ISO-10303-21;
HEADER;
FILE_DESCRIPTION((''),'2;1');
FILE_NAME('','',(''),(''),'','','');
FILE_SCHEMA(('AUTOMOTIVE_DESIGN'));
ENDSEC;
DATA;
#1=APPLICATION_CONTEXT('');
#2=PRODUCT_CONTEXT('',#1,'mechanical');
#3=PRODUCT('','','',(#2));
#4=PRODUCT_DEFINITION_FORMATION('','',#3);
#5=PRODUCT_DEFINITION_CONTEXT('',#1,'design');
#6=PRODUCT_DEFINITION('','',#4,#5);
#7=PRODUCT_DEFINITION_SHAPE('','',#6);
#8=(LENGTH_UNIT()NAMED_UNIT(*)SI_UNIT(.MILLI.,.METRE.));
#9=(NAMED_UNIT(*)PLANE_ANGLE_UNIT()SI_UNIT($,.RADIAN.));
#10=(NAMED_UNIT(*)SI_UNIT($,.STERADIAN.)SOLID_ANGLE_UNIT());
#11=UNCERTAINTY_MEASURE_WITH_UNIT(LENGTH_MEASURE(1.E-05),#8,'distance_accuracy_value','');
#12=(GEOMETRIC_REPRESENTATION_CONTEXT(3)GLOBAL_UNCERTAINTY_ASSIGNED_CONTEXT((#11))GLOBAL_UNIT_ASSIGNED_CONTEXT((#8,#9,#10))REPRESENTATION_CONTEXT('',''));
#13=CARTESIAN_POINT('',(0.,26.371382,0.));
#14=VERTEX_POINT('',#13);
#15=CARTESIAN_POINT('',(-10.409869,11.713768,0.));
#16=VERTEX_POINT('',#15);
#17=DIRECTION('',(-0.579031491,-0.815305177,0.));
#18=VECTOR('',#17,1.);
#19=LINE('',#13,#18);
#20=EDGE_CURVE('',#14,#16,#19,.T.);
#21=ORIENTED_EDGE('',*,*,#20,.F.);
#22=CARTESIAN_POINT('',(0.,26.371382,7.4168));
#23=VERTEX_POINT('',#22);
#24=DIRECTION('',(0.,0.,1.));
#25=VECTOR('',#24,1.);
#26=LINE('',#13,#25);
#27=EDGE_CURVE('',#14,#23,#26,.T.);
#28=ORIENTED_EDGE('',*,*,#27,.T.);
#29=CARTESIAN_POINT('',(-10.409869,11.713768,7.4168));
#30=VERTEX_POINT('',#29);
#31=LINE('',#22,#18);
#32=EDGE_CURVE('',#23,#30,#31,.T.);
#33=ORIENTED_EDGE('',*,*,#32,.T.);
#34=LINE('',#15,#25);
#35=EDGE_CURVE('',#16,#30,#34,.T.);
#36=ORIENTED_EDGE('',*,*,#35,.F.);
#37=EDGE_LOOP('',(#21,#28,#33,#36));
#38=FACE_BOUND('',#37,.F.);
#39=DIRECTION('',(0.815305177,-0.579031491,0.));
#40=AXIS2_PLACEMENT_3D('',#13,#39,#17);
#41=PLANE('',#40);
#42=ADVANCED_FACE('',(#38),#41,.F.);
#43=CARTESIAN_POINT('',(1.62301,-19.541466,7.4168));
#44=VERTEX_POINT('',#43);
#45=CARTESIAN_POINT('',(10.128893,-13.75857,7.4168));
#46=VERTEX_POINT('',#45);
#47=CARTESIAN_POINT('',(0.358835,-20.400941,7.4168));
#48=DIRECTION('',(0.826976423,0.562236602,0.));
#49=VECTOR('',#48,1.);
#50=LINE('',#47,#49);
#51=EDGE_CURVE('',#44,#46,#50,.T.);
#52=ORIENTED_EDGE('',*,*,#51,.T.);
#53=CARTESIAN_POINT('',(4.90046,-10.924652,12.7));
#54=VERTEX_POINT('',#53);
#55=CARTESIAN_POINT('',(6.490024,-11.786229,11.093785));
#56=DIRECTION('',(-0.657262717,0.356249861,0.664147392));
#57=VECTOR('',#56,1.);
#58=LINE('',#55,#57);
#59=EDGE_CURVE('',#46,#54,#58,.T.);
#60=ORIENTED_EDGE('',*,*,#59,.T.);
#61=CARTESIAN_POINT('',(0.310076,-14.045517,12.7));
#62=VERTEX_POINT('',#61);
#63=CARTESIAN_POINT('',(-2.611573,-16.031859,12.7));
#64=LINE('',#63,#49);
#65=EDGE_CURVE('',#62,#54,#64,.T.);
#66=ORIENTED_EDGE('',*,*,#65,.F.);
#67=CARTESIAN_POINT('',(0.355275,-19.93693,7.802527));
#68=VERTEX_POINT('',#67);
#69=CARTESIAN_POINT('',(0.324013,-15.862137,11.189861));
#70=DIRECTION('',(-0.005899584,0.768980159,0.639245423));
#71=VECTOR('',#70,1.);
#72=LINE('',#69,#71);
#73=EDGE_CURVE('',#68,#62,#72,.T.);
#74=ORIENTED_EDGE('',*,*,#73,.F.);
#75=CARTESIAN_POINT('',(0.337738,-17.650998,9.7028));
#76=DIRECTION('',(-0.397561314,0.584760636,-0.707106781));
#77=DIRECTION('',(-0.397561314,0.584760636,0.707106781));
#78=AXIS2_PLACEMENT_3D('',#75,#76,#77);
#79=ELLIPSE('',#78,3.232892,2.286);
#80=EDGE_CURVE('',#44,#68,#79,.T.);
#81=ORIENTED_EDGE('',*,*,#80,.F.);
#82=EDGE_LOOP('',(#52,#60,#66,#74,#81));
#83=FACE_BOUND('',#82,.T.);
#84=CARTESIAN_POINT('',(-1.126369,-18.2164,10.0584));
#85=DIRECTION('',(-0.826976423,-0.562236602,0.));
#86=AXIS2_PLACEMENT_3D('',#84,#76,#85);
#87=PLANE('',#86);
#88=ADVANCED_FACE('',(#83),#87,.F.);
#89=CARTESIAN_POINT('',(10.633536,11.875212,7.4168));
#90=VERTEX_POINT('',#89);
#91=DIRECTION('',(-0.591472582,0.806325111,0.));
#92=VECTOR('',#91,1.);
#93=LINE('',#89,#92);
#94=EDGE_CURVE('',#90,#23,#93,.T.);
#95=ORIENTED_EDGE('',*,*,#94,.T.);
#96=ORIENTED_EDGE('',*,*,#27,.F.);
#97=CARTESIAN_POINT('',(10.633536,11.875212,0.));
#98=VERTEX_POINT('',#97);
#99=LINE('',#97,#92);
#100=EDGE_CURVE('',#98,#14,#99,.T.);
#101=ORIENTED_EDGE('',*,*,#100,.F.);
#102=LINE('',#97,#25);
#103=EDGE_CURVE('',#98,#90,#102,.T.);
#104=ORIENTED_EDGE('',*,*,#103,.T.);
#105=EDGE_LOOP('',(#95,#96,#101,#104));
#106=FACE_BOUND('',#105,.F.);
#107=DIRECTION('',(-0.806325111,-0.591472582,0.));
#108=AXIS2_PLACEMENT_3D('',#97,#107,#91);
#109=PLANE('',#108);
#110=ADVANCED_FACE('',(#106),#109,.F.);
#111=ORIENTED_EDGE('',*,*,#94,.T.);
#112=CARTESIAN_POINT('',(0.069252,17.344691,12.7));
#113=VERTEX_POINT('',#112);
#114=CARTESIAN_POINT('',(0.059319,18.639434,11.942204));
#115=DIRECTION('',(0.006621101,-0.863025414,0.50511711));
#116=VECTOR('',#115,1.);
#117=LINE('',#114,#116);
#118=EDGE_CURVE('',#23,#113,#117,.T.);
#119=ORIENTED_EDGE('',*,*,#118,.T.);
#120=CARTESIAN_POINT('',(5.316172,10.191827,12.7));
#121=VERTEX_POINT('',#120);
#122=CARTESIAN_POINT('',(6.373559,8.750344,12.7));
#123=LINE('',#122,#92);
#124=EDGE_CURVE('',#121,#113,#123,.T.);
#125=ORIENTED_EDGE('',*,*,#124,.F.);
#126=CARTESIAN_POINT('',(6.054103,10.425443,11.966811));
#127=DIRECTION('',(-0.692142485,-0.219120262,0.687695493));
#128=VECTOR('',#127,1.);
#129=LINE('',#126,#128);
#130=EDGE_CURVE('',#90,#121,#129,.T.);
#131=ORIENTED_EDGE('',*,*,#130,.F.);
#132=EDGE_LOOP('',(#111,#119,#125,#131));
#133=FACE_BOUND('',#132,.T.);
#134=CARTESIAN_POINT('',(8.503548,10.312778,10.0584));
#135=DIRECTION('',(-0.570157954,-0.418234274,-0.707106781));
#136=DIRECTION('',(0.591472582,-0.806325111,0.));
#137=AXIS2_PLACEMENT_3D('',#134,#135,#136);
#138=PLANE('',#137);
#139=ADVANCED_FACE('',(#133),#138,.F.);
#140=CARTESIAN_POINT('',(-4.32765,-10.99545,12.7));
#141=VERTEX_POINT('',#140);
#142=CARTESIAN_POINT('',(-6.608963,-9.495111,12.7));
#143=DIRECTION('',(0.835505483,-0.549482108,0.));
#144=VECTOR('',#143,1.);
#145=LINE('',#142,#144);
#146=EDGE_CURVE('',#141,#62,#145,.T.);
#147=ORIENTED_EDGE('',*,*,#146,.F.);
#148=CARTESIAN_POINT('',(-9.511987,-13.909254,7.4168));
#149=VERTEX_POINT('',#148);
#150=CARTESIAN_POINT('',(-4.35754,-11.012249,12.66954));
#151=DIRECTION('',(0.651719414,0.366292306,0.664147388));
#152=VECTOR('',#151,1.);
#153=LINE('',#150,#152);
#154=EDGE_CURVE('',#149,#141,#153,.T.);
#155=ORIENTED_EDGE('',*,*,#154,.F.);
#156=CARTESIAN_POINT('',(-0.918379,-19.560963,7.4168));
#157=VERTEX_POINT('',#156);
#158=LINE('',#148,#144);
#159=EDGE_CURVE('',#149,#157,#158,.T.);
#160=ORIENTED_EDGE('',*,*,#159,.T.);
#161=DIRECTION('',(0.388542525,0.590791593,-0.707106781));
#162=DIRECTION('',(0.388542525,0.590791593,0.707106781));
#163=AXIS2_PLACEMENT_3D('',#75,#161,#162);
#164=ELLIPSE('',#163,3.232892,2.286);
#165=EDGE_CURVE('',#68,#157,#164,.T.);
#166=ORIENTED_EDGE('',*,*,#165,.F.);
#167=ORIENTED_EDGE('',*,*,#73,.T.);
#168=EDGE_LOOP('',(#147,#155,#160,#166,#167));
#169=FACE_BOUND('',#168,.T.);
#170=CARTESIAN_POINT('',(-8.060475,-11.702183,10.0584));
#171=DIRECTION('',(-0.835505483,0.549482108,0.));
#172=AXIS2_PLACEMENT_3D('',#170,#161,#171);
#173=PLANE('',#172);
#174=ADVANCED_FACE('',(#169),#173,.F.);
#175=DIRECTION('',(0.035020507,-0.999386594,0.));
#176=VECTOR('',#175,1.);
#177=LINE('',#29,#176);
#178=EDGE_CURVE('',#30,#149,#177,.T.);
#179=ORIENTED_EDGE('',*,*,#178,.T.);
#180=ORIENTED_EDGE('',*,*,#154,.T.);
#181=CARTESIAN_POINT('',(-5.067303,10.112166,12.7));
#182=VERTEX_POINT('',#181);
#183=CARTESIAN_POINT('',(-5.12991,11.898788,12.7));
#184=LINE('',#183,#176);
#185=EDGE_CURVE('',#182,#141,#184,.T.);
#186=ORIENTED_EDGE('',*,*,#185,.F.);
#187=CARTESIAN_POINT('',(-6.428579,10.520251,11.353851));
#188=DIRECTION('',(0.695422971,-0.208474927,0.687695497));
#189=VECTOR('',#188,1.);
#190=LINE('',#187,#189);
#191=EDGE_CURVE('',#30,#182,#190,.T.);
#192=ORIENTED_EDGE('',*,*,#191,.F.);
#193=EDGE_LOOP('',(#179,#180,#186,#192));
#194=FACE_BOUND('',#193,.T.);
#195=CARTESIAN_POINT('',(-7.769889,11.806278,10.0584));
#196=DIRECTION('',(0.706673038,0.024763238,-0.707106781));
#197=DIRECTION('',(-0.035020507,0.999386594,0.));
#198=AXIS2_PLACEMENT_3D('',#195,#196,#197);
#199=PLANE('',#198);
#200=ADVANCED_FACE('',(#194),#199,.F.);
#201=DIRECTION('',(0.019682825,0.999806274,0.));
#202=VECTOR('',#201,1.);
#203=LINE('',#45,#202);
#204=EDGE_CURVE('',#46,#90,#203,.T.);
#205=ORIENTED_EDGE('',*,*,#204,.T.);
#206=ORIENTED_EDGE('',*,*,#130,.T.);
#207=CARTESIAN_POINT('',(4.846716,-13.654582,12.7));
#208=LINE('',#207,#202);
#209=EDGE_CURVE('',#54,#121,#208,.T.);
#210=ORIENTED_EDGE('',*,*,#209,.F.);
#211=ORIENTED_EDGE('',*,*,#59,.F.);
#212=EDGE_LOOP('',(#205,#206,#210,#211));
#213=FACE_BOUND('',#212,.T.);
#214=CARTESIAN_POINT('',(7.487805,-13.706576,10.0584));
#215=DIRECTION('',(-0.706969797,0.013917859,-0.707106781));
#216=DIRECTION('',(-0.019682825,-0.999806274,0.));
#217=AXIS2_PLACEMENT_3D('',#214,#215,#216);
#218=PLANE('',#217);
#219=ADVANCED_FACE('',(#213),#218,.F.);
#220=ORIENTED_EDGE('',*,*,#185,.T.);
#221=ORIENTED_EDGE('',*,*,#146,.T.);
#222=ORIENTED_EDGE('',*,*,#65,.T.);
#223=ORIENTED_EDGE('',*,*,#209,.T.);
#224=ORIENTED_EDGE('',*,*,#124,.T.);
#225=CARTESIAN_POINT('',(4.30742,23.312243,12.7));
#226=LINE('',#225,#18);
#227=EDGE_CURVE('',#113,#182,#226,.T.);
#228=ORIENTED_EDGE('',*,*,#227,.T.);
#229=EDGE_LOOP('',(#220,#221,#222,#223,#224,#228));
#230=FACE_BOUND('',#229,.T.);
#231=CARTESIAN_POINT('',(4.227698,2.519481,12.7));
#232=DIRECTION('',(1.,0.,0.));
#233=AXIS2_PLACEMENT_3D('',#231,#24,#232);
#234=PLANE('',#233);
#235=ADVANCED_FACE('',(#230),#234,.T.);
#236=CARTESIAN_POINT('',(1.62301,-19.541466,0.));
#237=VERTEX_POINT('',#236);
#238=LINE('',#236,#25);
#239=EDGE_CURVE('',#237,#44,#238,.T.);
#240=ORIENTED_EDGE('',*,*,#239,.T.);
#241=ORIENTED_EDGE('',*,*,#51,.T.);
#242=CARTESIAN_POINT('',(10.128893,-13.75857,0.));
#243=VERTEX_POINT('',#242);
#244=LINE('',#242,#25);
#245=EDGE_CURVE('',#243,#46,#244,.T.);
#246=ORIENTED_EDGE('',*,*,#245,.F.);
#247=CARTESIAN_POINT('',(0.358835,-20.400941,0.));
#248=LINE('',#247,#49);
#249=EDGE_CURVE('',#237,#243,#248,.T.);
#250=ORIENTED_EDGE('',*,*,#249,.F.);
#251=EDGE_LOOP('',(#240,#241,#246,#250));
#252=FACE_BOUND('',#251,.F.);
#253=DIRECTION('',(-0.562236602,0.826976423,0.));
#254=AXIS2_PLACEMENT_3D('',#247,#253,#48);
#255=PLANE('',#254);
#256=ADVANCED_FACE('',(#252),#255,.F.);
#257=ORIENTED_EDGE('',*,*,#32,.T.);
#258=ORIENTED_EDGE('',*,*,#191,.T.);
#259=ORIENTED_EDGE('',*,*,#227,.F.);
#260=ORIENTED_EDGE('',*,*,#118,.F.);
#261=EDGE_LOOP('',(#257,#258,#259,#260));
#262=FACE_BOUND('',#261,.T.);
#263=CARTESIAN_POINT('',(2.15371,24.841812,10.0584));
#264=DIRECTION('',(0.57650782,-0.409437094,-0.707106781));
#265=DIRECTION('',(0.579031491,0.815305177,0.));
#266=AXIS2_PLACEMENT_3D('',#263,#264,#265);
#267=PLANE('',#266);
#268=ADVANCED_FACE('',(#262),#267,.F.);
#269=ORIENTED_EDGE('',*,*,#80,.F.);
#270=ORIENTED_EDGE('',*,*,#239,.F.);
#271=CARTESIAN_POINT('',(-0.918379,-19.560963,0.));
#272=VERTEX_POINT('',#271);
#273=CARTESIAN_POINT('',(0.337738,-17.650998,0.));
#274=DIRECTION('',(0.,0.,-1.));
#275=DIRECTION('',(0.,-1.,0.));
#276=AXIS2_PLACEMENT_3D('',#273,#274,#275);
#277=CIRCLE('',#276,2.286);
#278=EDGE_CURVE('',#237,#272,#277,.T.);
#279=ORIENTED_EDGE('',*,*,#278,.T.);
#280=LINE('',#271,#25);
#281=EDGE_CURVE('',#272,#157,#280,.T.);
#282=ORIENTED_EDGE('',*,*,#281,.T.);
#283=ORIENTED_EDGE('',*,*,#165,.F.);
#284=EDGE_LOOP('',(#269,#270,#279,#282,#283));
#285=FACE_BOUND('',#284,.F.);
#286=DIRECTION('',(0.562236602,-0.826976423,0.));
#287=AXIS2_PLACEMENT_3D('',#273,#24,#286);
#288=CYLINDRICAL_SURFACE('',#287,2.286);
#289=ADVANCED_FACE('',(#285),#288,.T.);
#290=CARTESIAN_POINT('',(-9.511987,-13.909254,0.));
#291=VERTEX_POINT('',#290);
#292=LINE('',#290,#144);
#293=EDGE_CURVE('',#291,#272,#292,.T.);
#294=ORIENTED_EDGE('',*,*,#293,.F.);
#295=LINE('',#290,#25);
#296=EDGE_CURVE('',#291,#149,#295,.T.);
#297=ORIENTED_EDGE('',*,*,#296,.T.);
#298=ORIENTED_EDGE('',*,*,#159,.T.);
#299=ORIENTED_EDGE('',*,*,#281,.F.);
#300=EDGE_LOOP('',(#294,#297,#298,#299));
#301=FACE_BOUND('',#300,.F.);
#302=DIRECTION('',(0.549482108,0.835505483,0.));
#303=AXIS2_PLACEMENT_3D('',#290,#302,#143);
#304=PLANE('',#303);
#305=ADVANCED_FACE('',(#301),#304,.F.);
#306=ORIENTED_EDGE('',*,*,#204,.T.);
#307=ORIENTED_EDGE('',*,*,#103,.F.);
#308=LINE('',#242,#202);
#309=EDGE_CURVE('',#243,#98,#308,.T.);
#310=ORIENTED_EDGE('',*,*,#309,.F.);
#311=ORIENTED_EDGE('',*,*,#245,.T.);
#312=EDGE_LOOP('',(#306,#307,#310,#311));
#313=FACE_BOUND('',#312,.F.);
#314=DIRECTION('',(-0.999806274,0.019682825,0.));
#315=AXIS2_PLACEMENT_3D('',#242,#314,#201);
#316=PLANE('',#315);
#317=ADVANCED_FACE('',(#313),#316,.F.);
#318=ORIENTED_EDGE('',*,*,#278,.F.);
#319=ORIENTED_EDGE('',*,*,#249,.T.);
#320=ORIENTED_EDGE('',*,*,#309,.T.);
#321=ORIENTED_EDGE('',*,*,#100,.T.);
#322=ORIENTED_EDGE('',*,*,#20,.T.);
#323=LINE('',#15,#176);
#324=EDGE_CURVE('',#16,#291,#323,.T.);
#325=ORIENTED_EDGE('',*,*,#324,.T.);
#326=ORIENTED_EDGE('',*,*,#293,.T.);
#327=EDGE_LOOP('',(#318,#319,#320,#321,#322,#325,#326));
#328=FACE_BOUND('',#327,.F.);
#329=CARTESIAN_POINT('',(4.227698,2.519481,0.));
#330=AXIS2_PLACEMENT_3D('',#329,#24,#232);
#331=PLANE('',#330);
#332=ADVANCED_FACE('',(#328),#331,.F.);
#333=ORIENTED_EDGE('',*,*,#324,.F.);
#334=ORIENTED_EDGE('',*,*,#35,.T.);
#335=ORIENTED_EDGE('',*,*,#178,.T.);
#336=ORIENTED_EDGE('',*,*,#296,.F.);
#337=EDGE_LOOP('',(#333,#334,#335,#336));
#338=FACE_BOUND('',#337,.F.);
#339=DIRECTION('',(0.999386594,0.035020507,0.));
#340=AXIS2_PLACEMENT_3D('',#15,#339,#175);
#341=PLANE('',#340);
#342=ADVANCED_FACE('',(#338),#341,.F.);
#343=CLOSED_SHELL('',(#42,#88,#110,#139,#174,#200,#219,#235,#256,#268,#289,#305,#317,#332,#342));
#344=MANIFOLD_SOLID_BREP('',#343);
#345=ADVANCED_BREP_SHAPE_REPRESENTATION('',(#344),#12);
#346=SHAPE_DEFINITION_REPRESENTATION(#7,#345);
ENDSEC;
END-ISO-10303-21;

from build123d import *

# Parameters (mm, degrees)
F2_DEPTH = 12.7
F3_SIZE  = 5.2832
F0_R     = 2.286


with BuildPart() as f2:
    # F1 (on Top) → F2 (new body)
    with BuildSketch(Plane.XY):
        Polygon((10.633536, 11.875212), (0, 26.371382), (0.358835, -20.400941), (10.128893, -13.75857), align=None)
        Polygon((0.358835, -20.400941), (0, 26.371382), (-10.409869, 11.713768), (-9.511987, -13.909254), align=None)
    extrude(amount=F2_DEPTH)

    # F3
    f3_edges = [f2.edges().sort_by_distance(p)[0] for p in [
        (-9.960928, -1.097743, 12.7),
        (-4.576576, -17.155098, 12.7),
        (5.243864, -17.079756, 12.7),
        (10.381214, -0.941679, 12.7),
        (5.316768, 19.123297, 12.7),
        (-5.204935, 19.042575, 12.7),
    ]]
    chamfer(f3_edges, length=F3_SIZE)

    # F0
    f0_edges = [f2.edges().sort_by_distance(p)[0] for p in [
        (0.358835, -20.400941, 3.7084),
    ]]
    fillet(f0_edges, radius=F0_R)


solid = f2.part
